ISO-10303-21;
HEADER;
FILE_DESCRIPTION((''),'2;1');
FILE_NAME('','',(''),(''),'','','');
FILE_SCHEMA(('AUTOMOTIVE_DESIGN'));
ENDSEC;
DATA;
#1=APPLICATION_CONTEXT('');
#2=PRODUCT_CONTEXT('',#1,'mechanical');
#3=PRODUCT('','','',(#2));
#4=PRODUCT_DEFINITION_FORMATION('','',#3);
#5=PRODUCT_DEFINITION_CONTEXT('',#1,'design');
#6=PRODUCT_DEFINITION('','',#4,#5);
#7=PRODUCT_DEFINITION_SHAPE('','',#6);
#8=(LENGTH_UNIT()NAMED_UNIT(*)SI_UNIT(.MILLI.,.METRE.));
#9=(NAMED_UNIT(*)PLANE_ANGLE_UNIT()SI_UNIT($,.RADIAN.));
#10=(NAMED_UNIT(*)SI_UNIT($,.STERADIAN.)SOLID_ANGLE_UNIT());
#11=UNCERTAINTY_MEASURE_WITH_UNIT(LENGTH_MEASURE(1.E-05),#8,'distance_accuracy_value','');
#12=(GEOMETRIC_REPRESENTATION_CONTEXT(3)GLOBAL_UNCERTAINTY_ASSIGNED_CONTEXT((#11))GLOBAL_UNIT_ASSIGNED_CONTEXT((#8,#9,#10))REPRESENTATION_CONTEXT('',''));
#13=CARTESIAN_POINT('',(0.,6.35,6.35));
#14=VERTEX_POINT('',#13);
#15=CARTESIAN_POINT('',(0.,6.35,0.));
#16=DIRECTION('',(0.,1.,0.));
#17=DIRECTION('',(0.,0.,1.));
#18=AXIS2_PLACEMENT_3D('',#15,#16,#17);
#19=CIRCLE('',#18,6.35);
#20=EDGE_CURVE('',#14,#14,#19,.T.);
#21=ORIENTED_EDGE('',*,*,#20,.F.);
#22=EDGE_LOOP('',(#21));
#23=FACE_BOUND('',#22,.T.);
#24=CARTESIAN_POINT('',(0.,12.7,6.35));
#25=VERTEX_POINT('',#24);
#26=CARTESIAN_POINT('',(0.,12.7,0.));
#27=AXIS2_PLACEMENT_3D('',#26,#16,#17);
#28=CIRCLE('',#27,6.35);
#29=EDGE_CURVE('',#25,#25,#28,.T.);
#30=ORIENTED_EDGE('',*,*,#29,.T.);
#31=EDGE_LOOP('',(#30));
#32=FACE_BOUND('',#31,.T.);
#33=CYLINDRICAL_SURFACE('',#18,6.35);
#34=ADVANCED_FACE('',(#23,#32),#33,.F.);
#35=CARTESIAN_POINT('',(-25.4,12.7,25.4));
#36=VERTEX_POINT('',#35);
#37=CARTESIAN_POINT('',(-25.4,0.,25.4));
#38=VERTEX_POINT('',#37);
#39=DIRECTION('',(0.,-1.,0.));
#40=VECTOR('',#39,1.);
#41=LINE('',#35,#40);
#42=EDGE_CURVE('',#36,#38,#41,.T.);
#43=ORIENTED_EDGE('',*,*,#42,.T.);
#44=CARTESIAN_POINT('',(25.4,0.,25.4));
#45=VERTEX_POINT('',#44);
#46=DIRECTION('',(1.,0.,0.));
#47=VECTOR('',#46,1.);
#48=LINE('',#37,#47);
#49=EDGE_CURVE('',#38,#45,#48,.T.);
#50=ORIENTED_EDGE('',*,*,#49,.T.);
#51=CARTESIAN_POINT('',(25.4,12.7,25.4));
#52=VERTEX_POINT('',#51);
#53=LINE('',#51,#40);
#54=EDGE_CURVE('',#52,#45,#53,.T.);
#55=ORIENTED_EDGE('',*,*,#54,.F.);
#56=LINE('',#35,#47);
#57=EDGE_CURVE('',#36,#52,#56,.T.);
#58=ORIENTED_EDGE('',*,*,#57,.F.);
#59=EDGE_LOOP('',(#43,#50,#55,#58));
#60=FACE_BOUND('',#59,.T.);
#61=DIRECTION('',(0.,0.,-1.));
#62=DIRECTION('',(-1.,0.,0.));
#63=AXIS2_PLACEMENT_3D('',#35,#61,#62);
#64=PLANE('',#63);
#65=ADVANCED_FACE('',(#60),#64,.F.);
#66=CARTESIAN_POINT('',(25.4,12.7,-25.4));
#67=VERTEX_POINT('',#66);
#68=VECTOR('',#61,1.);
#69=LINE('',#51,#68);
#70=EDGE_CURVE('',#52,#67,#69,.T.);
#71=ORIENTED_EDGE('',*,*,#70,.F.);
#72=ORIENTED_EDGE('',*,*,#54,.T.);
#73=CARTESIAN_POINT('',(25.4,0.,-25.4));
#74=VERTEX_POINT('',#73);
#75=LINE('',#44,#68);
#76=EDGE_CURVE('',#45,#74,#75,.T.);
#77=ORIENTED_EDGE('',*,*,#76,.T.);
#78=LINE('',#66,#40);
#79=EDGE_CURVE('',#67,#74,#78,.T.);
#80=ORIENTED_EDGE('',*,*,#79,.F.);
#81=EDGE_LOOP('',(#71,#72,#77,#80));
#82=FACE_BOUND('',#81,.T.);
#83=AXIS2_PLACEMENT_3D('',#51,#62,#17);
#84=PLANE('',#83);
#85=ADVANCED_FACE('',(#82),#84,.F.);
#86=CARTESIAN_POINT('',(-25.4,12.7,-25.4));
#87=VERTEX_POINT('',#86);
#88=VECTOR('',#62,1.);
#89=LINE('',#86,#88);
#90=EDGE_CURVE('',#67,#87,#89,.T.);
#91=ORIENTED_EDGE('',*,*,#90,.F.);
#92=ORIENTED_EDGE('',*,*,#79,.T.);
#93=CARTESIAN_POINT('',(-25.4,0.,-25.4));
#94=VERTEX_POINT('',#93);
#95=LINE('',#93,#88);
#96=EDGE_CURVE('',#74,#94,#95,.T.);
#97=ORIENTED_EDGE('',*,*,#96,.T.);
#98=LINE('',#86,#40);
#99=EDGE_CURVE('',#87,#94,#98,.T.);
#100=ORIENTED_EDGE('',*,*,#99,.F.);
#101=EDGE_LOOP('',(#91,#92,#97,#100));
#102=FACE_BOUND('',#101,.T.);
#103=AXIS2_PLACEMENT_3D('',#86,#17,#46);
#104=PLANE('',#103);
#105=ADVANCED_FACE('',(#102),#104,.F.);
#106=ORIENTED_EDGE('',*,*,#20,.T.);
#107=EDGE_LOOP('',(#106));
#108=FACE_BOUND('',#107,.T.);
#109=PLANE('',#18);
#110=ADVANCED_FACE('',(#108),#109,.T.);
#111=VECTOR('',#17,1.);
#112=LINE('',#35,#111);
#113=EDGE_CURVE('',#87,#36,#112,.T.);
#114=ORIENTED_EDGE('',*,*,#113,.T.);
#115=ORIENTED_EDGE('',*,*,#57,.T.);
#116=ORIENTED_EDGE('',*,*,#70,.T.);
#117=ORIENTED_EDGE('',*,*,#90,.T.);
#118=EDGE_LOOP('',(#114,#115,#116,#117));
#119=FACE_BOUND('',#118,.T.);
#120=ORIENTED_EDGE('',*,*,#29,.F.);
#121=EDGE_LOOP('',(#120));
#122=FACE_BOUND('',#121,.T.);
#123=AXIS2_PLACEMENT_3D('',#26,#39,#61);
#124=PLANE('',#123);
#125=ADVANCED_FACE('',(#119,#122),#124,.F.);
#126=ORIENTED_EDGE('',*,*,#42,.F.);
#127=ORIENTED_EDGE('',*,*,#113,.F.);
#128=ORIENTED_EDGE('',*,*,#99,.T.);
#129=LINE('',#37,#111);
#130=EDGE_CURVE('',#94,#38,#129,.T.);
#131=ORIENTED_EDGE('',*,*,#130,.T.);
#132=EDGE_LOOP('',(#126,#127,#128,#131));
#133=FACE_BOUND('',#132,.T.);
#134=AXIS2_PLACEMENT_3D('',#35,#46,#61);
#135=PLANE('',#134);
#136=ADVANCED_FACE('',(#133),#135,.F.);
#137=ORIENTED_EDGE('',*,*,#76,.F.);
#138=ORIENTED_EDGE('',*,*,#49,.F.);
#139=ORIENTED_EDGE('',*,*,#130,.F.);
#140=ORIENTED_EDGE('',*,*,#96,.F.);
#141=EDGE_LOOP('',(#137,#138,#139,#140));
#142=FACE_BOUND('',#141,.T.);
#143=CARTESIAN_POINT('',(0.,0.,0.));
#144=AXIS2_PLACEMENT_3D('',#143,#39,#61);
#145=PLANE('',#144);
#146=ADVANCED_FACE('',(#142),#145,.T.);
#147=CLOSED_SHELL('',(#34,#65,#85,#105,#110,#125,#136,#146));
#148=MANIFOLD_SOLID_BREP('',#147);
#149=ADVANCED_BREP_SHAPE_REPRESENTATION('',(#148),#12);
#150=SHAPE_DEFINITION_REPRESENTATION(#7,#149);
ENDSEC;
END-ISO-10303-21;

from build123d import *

# Parameters (mm, degrees)
SKETCH1_W           = 50.8
SKETCH1_H           = 50.8
BOSS_EXTRUDE1_DEPTH = 12.7
SKETCH2_R           = 6.35
CUT_EXTRUDE1_DEPTH  = 6.35


with BuildPart() as part:
    # Sketch1 → Boss-Extrude1 (new body)
    with BuildSketch(Plane(origin=(0, 0, 0), x_dir=(1, 0, 0), z_dir=(0, 1, 0))):
        Rectangle(SKETCH1_W, SKETCH1_H)
    extrude(amount=BOSS_EXTRUDE1_DEPTH)

    # Sketch2 → Cut-Extrude1 (cut)
    with BuildSketch(Plane(origin=(0, 12.7, 0), x_dir=(1, 0, 0), z_dir=(0, 1, 0))):
        with Locations(Location((0, 0, 0), (0, 0, 270))):
            Circle(SKETCH2_R)
    extrude(amount=-CUT_EXTRUDE1_DEPTH, mode=Mode.SUBTRACT)


solid = part.part
